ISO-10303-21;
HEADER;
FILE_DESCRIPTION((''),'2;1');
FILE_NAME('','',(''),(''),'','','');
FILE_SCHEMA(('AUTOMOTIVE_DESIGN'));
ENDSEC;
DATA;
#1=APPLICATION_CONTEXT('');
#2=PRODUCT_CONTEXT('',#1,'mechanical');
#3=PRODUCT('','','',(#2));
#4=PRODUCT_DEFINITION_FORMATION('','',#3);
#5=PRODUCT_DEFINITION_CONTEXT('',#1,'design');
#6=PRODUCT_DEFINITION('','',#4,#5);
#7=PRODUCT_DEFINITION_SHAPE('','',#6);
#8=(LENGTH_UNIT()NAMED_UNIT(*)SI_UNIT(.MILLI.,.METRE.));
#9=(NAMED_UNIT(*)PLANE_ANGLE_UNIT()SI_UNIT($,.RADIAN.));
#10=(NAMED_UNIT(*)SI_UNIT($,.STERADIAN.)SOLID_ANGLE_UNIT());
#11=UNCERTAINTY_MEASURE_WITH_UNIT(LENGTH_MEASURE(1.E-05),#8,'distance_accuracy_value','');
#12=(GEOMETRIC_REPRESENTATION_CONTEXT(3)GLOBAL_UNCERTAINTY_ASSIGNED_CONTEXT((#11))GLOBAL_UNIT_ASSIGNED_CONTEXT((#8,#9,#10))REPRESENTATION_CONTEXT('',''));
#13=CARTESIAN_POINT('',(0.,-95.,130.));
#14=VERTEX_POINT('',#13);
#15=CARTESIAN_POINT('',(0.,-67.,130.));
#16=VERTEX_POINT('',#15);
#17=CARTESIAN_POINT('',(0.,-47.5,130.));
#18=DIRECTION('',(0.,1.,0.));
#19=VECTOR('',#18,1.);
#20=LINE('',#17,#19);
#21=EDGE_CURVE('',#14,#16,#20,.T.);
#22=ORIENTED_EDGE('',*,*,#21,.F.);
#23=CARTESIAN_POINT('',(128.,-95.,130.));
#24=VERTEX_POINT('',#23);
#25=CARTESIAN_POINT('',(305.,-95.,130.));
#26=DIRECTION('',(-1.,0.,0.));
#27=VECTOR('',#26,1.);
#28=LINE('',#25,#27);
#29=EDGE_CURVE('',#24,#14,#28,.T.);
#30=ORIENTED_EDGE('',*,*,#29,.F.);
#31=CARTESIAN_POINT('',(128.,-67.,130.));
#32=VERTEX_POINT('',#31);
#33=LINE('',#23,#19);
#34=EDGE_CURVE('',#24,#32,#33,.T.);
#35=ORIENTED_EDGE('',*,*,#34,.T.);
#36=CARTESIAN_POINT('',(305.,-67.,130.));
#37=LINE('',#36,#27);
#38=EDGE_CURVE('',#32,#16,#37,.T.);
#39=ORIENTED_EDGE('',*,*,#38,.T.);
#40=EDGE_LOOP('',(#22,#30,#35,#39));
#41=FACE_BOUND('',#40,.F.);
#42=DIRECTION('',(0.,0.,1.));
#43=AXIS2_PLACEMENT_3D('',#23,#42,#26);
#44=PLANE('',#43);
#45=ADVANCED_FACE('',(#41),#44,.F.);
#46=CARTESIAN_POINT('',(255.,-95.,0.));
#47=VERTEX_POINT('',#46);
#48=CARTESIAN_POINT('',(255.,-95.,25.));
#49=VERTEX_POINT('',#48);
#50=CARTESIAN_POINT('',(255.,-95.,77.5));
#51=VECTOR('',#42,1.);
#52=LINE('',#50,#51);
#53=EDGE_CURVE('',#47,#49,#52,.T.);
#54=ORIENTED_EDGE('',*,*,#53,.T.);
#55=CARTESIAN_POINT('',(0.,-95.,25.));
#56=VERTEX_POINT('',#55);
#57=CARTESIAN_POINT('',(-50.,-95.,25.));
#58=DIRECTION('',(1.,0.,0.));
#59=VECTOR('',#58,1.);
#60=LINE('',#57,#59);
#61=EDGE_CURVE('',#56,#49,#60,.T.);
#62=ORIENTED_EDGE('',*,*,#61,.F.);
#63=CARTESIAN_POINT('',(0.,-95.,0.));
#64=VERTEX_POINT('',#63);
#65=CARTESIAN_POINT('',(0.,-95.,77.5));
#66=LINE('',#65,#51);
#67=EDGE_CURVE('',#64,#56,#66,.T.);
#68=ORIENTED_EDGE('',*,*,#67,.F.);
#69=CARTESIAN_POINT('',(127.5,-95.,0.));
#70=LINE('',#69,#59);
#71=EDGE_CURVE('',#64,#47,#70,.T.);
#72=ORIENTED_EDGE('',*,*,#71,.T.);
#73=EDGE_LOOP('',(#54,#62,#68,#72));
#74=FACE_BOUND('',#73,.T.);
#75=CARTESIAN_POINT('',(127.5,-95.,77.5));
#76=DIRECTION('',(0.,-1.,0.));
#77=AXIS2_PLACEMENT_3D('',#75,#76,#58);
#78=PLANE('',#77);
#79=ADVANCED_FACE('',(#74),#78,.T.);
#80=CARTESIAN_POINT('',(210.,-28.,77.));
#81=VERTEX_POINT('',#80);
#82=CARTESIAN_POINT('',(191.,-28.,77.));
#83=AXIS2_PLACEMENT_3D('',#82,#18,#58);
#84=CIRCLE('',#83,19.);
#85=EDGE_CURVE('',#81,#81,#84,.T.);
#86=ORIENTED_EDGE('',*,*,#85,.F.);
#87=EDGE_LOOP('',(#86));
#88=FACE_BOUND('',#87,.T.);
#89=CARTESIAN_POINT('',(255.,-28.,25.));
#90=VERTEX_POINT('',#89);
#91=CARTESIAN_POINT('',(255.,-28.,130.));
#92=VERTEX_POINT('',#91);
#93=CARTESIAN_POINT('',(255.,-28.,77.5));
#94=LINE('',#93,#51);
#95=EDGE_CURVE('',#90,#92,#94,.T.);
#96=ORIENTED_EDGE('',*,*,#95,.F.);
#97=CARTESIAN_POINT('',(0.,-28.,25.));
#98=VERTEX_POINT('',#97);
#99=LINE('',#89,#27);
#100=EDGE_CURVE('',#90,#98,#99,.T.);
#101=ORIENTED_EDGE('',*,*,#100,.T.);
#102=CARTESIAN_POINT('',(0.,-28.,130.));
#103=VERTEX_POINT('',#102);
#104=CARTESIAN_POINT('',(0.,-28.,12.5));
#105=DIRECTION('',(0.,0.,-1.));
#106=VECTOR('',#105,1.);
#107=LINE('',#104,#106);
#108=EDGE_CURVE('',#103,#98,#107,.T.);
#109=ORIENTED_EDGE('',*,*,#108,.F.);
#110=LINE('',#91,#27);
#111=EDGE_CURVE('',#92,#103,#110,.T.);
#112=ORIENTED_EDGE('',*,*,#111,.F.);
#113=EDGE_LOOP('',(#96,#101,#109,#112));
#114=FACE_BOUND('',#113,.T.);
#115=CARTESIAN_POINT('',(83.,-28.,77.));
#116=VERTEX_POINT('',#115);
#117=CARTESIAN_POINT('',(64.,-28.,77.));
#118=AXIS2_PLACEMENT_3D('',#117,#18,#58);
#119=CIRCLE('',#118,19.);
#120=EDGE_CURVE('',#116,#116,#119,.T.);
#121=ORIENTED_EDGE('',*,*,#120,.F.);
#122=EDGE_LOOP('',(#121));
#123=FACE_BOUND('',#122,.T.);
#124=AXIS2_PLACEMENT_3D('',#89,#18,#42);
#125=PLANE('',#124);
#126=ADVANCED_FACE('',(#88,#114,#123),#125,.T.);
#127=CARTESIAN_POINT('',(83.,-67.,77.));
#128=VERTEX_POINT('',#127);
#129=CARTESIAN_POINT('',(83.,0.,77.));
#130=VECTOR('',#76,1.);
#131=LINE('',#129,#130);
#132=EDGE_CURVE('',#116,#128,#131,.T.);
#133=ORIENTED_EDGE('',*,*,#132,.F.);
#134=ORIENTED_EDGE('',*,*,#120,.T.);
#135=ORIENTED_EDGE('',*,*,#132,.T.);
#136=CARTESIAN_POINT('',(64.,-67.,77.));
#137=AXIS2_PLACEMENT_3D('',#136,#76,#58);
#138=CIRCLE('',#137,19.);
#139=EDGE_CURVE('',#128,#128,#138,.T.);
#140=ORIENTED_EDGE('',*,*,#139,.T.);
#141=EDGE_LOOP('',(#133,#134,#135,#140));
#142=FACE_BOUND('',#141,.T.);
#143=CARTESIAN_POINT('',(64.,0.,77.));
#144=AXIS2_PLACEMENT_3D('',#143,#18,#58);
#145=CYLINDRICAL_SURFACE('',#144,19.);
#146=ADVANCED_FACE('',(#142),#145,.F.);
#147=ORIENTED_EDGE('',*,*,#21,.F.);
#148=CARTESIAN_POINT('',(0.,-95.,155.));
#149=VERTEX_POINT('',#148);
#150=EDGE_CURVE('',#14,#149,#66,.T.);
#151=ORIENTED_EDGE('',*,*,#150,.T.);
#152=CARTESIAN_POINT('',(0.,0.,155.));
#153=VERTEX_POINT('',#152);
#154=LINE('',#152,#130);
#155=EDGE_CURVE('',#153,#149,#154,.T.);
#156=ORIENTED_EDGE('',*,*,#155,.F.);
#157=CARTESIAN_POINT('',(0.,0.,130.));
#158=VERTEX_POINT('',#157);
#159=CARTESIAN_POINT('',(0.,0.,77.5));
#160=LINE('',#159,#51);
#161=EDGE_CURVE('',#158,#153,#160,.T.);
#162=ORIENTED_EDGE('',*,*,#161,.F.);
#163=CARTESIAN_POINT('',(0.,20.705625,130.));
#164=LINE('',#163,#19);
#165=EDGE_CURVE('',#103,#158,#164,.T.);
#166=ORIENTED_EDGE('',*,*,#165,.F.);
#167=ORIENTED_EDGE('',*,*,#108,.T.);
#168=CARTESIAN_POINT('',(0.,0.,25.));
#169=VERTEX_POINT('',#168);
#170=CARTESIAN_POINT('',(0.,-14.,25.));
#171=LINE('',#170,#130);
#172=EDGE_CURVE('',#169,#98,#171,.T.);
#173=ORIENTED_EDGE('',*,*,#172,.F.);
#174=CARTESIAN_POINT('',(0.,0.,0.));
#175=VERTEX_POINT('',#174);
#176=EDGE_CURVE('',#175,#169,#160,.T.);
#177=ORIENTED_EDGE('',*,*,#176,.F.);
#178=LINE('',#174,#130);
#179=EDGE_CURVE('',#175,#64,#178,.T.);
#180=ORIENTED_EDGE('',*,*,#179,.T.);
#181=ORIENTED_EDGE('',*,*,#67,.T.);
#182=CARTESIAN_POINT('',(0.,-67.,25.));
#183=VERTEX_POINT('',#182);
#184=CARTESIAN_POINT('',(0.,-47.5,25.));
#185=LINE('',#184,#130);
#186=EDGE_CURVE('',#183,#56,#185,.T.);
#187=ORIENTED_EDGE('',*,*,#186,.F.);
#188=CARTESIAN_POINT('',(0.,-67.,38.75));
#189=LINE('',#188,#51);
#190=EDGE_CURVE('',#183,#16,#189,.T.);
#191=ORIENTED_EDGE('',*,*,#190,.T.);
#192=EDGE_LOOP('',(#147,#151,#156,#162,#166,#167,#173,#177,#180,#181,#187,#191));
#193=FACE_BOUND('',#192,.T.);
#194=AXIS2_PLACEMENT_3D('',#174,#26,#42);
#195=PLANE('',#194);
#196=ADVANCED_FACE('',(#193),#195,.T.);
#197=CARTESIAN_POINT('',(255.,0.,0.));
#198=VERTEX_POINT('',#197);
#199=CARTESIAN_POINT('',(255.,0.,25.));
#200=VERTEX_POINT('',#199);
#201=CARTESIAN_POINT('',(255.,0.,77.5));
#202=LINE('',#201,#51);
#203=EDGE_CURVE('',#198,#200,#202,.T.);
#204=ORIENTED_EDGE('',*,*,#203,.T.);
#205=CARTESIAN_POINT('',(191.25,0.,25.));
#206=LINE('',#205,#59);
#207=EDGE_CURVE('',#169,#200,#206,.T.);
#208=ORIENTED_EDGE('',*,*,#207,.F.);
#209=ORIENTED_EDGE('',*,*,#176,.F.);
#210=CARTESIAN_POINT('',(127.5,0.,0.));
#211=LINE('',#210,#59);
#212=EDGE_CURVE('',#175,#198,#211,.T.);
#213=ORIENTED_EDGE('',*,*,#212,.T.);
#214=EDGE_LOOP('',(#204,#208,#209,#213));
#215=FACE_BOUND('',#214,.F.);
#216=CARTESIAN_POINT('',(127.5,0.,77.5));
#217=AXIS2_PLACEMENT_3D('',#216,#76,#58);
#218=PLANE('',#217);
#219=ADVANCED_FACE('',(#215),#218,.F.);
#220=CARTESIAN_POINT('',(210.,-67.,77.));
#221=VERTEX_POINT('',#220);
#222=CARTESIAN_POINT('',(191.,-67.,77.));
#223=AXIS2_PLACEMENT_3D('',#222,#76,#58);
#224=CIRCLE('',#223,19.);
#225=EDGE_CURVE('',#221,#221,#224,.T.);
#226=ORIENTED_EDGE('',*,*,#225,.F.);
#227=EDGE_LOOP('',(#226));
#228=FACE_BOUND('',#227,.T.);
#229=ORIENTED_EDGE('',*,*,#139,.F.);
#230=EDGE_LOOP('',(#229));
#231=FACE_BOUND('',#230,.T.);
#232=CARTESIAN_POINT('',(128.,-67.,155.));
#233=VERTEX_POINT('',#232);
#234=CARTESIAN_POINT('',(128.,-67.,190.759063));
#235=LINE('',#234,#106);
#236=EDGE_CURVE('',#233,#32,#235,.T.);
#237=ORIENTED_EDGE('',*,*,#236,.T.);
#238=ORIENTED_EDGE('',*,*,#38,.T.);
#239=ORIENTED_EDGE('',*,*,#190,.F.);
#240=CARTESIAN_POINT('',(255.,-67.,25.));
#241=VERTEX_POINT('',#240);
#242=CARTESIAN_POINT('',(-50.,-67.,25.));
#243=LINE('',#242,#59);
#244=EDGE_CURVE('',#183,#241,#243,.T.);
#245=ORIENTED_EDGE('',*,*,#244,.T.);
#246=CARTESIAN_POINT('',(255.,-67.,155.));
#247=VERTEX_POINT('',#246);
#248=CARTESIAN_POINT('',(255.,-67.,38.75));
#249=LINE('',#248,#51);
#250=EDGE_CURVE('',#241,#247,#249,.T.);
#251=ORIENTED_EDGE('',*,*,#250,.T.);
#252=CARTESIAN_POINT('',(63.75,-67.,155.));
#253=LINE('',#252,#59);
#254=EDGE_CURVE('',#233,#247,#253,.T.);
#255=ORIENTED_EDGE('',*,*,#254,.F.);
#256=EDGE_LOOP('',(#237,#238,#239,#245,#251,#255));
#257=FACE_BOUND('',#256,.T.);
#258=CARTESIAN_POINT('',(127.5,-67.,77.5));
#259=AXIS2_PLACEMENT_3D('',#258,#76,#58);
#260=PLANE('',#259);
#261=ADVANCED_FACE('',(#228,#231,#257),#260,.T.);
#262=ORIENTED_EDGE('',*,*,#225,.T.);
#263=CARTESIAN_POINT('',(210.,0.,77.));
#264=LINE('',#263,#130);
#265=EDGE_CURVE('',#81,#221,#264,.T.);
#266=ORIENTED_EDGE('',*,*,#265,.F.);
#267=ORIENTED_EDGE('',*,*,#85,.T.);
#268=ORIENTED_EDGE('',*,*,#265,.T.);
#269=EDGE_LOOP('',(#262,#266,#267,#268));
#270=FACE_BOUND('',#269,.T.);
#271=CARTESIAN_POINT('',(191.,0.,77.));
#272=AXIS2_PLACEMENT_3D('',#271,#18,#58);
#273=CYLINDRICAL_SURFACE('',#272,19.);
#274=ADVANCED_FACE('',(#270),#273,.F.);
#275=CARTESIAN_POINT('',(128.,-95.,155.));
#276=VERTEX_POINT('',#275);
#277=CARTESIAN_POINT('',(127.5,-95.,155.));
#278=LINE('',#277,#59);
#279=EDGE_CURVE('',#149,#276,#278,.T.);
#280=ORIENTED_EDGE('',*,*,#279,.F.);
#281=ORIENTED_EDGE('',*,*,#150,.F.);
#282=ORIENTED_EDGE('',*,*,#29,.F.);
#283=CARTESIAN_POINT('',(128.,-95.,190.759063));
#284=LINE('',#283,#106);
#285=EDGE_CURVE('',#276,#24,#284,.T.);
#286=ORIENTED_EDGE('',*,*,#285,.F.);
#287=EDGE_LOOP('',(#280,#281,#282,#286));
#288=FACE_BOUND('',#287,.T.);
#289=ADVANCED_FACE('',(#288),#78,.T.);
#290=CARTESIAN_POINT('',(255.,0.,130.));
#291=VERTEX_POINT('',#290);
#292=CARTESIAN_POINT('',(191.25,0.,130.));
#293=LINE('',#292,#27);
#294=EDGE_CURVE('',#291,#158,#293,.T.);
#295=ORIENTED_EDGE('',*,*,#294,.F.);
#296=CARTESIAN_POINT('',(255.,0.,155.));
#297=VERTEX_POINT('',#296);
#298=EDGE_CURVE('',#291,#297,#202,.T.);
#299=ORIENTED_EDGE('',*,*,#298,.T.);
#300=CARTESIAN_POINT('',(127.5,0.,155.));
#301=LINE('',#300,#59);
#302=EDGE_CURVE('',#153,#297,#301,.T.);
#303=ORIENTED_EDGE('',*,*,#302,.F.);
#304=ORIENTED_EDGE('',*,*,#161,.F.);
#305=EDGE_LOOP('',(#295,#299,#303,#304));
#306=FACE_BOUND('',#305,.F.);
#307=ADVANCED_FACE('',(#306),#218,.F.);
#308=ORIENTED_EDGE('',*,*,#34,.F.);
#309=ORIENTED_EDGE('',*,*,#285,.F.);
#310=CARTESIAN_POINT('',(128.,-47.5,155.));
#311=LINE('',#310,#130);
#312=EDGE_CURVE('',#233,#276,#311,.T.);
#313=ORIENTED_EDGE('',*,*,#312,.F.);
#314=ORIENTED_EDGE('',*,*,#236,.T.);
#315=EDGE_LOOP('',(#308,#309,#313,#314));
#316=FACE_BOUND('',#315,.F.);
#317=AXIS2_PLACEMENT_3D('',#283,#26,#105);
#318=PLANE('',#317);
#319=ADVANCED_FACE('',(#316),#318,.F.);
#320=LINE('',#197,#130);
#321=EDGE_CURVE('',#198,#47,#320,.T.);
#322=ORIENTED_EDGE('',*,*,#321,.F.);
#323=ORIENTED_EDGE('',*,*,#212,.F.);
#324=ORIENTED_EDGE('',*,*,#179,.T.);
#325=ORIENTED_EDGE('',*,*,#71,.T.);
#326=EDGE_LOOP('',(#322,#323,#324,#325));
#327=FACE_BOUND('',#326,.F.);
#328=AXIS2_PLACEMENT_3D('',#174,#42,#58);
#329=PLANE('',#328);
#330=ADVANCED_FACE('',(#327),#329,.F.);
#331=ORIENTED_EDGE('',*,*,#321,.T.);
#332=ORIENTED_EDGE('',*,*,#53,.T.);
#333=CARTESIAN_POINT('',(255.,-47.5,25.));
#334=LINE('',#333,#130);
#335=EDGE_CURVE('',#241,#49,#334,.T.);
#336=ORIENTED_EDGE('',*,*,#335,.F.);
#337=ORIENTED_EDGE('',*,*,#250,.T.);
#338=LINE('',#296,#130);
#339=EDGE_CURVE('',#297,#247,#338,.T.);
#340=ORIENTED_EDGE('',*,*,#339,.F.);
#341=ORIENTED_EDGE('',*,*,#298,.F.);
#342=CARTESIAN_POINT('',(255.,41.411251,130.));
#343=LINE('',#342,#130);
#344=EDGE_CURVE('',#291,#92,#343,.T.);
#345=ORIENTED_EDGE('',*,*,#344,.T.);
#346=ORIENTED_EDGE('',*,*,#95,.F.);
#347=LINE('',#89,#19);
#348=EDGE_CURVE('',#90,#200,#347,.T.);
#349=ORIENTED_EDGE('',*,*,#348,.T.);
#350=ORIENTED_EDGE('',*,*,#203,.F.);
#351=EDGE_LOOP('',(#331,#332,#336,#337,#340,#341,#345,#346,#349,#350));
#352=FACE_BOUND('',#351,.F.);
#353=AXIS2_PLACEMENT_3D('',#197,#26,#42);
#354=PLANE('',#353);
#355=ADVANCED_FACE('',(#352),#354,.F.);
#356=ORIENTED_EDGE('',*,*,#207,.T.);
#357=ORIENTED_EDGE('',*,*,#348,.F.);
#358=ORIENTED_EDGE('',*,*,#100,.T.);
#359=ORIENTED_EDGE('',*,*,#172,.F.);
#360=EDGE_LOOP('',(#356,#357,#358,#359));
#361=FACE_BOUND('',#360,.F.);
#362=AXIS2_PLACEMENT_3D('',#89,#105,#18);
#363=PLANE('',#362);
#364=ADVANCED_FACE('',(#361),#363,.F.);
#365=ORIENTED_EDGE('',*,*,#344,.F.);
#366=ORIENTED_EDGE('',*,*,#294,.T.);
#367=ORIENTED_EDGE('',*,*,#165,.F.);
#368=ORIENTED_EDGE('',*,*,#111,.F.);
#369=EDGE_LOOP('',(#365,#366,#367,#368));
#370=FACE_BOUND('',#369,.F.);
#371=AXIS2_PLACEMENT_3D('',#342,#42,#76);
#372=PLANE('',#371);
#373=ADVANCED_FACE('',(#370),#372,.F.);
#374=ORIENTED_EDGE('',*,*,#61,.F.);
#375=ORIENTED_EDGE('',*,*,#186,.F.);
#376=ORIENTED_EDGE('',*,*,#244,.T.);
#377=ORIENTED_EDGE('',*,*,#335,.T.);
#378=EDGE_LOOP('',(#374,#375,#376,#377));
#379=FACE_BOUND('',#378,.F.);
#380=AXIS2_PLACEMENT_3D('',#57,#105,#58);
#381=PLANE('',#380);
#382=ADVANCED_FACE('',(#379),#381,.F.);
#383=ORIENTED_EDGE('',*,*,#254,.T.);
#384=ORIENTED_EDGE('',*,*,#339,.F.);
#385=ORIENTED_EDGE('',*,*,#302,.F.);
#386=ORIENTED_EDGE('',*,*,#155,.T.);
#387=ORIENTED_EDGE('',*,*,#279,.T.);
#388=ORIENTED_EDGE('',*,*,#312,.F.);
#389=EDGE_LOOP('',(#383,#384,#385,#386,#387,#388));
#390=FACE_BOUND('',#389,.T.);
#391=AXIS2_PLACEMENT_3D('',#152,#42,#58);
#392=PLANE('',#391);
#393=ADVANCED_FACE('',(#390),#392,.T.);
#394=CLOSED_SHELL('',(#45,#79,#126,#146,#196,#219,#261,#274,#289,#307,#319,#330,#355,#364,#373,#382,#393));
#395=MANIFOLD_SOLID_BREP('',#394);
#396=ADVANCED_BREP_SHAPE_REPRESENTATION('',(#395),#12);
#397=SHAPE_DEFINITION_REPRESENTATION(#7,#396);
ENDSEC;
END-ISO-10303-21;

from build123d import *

# Parameters (mm, degrees)
F0_W     = 255
F0_H     = 155
F0_R     = 19
F1_DEPTH = 95
F2_R     = 19
F2_W     = 50
F2_H     = 105
F2_W_2   = 127
F2_H_2   = 25
F3_DEPTH = 28
F4_W     = 41.4112506824
F4_H     = 105
F4_W_2   = 28
F5_DEPTH = 255.001


with BuildPart() as f1:
    # F0 (on Front) → F1 (new body)
    with BuildSketch(Plane.XZ):
        with Locations((127.5, 77.5)):
            Rectangle(F0_W, F0_H)
        with Locations((64, 77)):
            Circle(F0_R, mode=Mode.SUBTRACT)
        with Locations((191, 77)):
            Circle(F0_R, mode=Mode.SUBTRACT)
    extrude(amount=F1_DEPTH)

    # F2 (on face) → F3 (cut)
    with BuildSketch(Plane.XZ.offset(95)):
        Polygon((128, 130), (0, 130), (0, 25), (255, 25), (255, 130), align=None)
        with Locations((64, 77)):
            Circle(F2_R, mode=Mode.SUBTRACT)
        with Locations((191, 77)):
            Circle(F2_R, mode=Mode.SUBTRACT)
        with Locations((-25, 77.5)):
            Rectangle(F2_W, F2_H)
        with Locations((280, 77.5)):
            Rectangle(F2_W, F2_H)
        Polygon((255, 155), (255, 130), (305, 130), (305, 190.759062767), (128, 190.759062767), (128, 155), align=None)
        with Locations((191.5, 142.5)):
            Rectangle(F2_W_2, F2_H_2)
    extrude(amount=-F3_DEPTH, mode=Mode.SUBTRACT)

    # F4 (on face) → F5 (cut, through all)
    with BuildSketch(Plane.YZ.offset(255)):
        with Locations((20.7056253412, 77.5)):
            Rectangle(F4_W, F4_H)
        with Locations((-14, 77.5)):
            Rectangle(F4_W_2, F4_H)
    extrude(amount=-F5_DEPTH, mode=Mode.SUBTRACT)


solid = f1.part
